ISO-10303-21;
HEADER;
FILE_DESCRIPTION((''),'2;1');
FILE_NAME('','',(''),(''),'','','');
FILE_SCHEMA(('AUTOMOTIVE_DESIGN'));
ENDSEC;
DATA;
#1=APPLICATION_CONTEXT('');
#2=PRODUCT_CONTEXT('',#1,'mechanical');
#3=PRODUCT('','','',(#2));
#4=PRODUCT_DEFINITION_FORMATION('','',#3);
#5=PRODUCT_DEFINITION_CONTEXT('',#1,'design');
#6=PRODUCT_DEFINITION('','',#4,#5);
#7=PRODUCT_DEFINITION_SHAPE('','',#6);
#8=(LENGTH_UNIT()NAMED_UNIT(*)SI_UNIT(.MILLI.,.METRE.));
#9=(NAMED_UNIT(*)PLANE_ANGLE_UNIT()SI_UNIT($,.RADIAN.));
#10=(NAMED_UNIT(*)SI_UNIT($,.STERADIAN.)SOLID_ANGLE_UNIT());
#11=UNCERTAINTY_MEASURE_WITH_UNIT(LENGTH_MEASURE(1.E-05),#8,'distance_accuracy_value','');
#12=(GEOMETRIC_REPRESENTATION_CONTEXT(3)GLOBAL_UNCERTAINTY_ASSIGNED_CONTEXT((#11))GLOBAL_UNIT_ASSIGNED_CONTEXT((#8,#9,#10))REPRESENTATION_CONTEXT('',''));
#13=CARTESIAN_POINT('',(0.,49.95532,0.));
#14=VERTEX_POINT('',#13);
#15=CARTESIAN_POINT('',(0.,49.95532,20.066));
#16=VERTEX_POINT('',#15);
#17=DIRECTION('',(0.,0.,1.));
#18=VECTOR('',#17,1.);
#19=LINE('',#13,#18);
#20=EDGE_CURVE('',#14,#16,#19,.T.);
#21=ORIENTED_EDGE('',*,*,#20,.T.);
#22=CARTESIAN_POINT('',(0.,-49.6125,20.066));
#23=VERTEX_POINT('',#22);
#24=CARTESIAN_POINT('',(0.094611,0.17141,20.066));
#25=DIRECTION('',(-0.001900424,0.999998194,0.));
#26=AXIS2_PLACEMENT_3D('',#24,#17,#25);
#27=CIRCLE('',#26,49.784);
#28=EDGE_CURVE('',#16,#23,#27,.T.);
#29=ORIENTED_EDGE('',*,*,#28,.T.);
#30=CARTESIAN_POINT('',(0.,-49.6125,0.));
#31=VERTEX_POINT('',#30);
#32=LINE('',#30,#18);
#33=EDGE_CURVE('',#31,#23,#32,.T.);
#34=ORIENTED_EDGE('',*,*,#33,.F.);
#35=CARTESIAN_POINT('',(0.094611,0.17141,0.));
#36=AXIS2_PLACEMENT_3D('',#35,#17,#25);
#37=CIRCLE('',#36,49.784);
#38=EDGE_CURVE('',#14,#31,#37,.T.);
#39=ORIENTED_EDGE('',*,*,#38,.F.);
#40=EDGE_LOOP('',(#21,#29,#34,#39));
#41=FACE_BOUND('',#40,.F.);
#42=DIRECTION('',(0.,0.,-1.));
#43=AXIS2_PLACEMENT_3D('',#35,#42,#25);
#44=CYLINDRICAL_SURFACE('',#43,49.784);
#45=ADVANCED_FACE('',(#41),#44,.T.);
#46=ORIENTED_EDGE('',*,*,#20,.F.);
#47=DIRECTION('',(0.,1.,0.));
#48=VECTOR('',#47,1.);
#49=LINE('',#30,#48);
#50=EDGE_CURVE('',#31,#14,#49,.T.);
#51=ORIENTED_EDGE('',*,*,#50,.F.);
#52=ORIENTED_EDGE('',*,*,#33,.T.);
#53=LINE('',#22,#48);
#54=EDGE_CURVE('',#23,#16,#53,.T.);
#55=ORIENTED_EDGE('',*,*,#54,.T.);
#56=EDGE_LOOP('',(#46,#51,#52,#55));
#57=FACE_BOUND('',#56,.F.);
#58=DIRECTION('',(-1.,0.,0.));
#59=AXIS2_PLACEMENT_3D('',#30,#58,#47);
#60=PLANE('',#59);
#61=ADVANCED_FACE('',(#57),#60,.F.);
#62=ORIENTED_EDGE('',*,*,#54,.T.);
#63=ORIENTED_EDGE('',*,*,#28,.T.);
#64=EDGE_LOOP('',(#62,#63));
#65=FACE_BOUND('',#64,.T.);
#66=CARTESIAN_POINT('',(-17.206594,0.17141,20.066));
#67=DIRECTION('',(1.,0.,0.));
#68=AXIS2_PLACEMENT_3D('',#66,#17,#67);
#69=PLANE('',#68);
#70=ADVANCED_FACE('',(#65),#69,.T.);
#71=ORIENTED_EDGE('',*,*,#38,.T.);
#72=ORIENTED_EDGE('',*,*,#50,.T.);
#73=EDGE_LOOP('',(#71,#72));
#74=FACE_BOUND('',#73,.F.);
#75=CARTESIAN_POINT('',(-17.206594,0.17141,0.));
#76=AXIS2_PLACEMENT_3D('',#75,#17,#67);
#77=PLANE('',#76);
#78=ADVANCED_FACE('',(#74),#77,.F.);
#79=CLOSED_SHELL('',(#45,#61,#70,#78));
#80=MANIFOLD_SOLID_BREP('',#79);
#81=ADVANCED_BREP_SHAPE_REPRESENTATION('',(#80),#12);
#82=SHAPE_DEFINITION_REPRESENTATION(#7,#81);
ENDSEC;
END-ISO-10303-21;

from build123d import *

# Parameters (mm, degrees)
F0_R     = 49.911
F1_DEPTH = 99.822
F4_DEPTH = 20.066


with BuildPart() as f1:
    # F0 (on Top) → F1 (new body)
    with BuildSketch(Plane.XY):
        Circle(F0_R)
    extrude(amount=F1_DEPTH)


with BuildPart() as f4:
    # F2 (on Top) → F4 (new body)
    with BuildSketch(Plane.XY):
        with BuildLine():
            Line((0, -49.6124997735), (0, 49.9553204259))
            ThreePointArc((0, 49.9553204259), (-49.6893893018, 0.1714103262), (0, -49.6124997735))
        make_face()
    extrude(amount=F4_DEPTH)


solid = f4.part
